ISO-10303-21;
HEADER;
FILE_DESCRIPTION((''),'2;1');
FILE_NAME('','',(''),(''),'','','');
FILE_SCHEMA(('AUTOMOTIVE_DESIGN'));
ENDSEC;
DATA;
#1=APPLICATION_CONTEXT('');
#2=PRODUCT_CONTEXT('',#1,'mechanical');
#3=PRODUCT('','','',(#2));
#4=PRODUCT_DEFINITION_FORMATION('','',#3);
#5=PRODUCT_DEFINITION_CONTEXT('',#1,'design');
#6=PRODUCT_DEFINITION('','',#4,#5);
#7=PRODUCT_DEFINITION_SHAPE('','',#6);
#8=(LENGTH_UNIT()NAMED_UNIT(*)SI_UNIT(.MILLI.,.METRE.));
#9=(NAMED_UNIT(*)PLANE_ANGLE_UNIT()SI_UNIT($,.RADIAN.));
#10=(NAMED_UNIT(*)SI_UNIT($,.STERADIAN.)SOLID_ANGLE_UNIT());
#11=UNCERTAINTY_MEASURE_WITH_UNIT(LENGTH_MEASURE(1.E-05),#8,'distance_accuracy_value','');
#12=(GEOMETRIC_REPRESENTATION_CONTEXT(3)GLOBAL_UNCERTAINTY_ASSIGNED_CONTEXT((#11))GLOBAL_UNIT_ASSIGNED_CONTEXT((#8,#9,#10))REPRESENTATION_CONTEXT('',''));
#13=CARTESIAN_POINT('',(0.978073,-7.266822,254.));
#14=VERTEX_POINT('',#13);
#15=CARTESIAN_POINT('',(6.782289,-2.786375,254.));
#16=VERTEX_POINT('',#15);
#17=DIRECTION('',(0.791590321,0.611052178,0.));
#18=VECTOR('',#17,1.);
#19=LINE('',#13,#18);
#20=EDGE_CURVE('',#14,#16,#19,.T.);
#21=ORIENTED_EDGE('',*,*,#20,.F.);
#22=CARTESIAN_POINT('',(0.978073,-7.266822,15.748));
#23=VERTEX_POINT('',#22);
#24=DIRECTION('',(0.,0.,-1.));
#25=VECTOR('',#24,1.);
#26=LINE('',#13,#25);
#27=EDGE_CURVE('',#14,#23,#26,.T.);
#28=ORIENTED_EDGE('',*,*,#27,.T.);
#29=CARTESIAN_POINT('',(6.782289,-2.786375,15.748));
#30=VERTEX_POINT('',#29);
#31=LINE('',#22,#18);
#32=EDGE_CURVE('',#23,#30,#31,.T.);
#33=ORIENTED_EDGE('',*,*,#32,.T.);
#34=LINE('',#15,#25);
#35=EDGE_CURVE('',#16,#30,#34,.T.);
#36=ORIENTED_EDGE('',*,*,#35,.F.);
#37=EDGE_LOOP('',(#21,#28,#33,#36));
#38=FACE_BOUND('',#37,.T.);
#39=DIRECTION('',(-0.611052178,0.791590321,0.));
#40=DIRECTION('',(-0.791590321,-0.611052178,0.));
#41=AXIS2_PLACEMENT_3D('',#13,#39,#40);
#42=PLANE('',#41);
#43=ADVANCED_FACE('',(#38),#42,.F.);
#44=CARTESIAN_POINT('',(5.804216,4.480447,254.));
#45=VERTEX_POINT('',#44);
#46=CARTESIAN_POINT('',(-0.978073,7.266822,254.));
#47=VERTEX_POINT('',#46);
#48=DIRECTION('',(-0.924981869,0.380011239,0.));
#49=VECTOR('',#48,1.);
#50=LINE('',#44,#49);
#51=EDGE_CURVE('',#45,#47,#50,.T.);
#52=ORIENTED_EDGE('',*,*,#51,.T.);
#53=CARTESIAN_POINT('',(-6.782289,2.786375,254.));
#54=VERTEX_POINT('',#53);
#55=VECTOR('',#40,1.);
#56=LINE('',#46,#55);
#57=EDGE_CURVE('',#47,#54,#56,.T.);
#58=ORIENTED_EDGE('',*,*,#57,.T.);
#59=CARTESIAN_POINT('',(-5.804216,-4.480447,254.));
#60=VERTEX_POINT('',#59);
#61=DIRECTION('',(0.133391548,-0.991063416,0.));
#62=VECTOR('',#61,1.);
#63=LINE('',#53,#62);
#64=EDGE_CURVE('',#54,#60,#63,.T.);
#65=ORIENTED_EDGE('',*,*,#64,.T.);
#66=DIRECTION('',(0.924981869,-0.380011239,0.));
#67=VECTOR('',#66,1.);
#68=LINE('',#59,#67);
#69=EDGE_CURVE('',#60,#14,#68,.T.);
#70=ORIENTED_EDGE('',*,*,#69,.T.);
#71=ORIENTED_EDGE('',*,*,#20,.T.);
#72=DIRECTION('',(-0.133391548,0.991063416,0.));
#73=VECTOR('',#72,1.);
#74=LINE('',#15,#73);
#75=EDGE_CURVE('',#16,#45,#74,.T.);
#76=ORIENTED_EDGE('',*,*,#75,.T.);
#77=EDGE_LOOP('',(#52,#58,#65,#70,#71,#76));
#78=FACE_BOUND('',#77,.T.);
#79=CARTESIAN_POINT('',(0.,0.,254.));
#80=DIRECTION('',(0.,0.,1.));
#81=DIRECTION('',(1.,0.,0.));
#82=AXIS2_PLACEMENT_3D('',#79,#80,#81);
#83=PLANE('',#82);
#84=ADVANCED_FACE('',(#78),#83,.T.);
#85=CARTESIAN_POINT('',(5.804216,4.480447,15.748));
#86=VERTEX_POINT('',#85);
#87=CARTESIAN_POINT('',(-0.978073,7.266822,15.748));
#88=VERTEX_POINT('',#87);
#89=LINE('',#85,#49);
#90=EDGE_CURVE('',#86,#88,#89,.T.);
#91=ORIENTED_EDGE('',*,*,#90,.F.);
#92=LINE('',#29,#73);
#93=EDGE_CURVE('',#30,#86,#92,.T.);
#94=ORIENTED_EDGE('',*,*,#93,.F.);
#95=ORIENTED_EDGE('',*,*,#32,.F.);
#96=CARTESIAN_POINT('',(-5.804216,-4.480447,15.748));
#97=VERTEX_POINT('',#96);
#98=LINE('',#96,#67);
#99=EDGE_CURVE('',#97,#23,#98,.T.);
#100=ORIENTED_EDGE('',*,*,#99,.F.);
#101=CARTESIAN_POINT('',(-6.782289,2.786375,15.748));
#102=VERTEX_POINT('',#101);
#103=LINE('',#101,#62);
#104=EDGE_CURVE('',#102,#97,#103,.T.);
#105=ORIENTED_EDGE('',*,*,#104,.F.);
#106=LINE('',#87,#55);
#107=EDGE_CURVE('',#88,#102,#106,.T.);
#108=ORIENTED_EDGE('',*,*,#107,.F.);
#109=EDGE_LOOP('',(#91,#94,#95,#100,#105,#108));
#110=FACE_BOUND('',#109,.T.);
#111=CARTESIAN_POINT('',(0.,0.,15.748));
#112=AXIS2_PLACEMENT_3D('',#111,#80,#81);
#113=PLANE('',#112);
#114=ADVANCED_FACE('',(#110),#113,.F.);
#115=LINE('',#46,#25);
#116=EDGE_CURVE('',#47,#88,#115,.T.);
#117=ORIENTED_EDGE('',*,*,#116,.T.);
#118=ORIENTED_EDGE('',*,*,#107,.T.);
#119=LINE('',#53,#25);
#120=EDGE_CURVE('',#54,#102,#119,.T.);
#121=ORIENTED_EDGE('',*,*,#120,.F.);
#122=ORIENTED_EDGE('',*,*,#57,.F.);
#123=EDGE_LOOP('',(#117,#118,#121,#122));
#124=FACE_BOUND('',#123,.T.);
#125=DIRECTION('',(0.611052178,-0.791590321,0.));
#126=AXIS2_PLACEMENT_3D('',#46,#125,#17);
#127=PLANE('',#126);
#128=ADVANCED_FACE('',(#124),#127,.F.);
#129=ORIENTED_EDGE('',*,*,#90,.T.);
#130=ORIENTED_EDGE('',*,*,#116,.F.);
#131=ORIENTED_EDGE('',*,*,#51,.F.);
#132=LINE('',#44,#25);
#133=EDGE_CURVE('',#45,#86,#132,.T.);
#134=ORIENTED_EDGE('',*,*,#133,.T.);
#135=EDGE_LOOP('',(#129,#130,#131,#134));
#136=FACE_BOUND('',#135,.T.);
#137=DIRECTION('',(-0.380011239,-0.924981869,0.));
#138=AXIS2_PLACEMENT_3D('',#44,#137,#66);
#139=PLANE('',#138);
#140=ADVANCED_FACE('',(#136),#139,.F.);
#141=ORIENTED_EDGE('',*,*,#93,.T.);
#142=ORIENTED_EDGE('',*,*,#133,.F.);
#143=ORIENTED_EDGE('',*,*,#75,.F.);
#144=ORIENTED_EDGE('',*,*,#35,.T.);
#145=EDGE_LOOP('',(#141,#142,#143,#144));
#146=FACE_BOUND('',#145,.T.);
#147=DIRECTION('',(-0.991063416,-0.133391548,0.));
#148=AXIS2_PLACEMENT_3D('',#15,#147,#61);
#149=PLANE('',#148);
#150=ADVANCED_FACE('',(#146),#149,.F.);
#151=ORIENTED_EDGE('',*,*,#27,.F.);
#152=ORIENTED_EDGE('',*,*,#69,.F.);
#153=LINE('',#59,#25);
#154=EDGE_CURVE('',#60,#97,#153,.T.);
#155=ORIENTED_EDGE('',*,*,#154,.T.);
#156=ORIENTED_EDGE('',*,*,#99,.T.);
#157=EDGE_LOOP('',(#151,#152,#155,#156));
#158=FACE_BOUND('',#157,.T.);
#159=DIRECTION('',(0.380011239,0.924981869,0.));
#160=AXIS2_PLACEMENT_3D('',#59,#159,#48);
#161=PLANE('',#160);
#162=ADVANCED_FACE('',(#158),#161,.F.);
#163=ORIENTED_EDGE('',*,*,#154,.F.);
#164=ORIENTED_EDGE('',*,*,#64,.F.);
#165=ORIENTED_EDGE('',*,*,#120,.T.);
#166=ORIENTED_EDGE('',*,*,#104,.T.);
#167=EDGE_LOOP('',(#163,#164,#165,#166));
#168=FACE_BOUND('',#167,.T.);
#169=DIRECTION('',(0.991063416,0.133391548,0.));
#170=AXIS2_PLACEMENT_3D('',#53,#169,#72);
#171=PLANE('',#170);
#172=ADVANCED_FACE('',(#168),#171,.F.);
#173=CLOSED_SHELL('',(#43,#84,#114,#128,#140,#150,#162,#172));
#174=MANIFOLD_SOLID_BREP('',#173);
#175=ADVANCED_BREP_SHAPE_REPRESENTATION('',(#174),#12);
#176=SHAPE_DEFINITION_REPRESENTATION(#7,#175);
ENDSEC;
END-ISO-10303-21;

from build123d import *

# Parameters (mm, degrees)
BOSS_EXTRUDE1_DEPTH = 254
SKETCH2_W           = 24.031674189
SKETCH2_H           = 20.528411612
CUT_EXTRUDE1_DEPTH  = 15.748


with BuildPart() as part:
    # Sketch1 → Boss-Extrude1 (new body)
    with BuildSketch(Plane.XY):
        Polygon((5.804216038, 4.480447468), (-0.978073309, 7.266822272), (-6.782289347, 2.786374804), (-5.804216038, -4.480447468), (0.978073309, -7.266822272), (6.782289347, -2.786374804), align=None)
    extrude(amount=BOSS_EXTRUDE1_DEPTH)

    # Sketch2 → Cut-Extrude1 (cut)
    with BuildSketch(Plane(origin=(0, 0, 0), x_dir=(-1, 0, 0), z_dir=(0, 0, -1))):
        with Locations((-1.796012448, -2.997383534)):
            Rectangle(SKETCH2_W, SKETCH2_H)
    extrude(amount=-CUT_EXTRUDE1_DEPTH, mode=Mode.SUBTRACT)


solid = part.part
